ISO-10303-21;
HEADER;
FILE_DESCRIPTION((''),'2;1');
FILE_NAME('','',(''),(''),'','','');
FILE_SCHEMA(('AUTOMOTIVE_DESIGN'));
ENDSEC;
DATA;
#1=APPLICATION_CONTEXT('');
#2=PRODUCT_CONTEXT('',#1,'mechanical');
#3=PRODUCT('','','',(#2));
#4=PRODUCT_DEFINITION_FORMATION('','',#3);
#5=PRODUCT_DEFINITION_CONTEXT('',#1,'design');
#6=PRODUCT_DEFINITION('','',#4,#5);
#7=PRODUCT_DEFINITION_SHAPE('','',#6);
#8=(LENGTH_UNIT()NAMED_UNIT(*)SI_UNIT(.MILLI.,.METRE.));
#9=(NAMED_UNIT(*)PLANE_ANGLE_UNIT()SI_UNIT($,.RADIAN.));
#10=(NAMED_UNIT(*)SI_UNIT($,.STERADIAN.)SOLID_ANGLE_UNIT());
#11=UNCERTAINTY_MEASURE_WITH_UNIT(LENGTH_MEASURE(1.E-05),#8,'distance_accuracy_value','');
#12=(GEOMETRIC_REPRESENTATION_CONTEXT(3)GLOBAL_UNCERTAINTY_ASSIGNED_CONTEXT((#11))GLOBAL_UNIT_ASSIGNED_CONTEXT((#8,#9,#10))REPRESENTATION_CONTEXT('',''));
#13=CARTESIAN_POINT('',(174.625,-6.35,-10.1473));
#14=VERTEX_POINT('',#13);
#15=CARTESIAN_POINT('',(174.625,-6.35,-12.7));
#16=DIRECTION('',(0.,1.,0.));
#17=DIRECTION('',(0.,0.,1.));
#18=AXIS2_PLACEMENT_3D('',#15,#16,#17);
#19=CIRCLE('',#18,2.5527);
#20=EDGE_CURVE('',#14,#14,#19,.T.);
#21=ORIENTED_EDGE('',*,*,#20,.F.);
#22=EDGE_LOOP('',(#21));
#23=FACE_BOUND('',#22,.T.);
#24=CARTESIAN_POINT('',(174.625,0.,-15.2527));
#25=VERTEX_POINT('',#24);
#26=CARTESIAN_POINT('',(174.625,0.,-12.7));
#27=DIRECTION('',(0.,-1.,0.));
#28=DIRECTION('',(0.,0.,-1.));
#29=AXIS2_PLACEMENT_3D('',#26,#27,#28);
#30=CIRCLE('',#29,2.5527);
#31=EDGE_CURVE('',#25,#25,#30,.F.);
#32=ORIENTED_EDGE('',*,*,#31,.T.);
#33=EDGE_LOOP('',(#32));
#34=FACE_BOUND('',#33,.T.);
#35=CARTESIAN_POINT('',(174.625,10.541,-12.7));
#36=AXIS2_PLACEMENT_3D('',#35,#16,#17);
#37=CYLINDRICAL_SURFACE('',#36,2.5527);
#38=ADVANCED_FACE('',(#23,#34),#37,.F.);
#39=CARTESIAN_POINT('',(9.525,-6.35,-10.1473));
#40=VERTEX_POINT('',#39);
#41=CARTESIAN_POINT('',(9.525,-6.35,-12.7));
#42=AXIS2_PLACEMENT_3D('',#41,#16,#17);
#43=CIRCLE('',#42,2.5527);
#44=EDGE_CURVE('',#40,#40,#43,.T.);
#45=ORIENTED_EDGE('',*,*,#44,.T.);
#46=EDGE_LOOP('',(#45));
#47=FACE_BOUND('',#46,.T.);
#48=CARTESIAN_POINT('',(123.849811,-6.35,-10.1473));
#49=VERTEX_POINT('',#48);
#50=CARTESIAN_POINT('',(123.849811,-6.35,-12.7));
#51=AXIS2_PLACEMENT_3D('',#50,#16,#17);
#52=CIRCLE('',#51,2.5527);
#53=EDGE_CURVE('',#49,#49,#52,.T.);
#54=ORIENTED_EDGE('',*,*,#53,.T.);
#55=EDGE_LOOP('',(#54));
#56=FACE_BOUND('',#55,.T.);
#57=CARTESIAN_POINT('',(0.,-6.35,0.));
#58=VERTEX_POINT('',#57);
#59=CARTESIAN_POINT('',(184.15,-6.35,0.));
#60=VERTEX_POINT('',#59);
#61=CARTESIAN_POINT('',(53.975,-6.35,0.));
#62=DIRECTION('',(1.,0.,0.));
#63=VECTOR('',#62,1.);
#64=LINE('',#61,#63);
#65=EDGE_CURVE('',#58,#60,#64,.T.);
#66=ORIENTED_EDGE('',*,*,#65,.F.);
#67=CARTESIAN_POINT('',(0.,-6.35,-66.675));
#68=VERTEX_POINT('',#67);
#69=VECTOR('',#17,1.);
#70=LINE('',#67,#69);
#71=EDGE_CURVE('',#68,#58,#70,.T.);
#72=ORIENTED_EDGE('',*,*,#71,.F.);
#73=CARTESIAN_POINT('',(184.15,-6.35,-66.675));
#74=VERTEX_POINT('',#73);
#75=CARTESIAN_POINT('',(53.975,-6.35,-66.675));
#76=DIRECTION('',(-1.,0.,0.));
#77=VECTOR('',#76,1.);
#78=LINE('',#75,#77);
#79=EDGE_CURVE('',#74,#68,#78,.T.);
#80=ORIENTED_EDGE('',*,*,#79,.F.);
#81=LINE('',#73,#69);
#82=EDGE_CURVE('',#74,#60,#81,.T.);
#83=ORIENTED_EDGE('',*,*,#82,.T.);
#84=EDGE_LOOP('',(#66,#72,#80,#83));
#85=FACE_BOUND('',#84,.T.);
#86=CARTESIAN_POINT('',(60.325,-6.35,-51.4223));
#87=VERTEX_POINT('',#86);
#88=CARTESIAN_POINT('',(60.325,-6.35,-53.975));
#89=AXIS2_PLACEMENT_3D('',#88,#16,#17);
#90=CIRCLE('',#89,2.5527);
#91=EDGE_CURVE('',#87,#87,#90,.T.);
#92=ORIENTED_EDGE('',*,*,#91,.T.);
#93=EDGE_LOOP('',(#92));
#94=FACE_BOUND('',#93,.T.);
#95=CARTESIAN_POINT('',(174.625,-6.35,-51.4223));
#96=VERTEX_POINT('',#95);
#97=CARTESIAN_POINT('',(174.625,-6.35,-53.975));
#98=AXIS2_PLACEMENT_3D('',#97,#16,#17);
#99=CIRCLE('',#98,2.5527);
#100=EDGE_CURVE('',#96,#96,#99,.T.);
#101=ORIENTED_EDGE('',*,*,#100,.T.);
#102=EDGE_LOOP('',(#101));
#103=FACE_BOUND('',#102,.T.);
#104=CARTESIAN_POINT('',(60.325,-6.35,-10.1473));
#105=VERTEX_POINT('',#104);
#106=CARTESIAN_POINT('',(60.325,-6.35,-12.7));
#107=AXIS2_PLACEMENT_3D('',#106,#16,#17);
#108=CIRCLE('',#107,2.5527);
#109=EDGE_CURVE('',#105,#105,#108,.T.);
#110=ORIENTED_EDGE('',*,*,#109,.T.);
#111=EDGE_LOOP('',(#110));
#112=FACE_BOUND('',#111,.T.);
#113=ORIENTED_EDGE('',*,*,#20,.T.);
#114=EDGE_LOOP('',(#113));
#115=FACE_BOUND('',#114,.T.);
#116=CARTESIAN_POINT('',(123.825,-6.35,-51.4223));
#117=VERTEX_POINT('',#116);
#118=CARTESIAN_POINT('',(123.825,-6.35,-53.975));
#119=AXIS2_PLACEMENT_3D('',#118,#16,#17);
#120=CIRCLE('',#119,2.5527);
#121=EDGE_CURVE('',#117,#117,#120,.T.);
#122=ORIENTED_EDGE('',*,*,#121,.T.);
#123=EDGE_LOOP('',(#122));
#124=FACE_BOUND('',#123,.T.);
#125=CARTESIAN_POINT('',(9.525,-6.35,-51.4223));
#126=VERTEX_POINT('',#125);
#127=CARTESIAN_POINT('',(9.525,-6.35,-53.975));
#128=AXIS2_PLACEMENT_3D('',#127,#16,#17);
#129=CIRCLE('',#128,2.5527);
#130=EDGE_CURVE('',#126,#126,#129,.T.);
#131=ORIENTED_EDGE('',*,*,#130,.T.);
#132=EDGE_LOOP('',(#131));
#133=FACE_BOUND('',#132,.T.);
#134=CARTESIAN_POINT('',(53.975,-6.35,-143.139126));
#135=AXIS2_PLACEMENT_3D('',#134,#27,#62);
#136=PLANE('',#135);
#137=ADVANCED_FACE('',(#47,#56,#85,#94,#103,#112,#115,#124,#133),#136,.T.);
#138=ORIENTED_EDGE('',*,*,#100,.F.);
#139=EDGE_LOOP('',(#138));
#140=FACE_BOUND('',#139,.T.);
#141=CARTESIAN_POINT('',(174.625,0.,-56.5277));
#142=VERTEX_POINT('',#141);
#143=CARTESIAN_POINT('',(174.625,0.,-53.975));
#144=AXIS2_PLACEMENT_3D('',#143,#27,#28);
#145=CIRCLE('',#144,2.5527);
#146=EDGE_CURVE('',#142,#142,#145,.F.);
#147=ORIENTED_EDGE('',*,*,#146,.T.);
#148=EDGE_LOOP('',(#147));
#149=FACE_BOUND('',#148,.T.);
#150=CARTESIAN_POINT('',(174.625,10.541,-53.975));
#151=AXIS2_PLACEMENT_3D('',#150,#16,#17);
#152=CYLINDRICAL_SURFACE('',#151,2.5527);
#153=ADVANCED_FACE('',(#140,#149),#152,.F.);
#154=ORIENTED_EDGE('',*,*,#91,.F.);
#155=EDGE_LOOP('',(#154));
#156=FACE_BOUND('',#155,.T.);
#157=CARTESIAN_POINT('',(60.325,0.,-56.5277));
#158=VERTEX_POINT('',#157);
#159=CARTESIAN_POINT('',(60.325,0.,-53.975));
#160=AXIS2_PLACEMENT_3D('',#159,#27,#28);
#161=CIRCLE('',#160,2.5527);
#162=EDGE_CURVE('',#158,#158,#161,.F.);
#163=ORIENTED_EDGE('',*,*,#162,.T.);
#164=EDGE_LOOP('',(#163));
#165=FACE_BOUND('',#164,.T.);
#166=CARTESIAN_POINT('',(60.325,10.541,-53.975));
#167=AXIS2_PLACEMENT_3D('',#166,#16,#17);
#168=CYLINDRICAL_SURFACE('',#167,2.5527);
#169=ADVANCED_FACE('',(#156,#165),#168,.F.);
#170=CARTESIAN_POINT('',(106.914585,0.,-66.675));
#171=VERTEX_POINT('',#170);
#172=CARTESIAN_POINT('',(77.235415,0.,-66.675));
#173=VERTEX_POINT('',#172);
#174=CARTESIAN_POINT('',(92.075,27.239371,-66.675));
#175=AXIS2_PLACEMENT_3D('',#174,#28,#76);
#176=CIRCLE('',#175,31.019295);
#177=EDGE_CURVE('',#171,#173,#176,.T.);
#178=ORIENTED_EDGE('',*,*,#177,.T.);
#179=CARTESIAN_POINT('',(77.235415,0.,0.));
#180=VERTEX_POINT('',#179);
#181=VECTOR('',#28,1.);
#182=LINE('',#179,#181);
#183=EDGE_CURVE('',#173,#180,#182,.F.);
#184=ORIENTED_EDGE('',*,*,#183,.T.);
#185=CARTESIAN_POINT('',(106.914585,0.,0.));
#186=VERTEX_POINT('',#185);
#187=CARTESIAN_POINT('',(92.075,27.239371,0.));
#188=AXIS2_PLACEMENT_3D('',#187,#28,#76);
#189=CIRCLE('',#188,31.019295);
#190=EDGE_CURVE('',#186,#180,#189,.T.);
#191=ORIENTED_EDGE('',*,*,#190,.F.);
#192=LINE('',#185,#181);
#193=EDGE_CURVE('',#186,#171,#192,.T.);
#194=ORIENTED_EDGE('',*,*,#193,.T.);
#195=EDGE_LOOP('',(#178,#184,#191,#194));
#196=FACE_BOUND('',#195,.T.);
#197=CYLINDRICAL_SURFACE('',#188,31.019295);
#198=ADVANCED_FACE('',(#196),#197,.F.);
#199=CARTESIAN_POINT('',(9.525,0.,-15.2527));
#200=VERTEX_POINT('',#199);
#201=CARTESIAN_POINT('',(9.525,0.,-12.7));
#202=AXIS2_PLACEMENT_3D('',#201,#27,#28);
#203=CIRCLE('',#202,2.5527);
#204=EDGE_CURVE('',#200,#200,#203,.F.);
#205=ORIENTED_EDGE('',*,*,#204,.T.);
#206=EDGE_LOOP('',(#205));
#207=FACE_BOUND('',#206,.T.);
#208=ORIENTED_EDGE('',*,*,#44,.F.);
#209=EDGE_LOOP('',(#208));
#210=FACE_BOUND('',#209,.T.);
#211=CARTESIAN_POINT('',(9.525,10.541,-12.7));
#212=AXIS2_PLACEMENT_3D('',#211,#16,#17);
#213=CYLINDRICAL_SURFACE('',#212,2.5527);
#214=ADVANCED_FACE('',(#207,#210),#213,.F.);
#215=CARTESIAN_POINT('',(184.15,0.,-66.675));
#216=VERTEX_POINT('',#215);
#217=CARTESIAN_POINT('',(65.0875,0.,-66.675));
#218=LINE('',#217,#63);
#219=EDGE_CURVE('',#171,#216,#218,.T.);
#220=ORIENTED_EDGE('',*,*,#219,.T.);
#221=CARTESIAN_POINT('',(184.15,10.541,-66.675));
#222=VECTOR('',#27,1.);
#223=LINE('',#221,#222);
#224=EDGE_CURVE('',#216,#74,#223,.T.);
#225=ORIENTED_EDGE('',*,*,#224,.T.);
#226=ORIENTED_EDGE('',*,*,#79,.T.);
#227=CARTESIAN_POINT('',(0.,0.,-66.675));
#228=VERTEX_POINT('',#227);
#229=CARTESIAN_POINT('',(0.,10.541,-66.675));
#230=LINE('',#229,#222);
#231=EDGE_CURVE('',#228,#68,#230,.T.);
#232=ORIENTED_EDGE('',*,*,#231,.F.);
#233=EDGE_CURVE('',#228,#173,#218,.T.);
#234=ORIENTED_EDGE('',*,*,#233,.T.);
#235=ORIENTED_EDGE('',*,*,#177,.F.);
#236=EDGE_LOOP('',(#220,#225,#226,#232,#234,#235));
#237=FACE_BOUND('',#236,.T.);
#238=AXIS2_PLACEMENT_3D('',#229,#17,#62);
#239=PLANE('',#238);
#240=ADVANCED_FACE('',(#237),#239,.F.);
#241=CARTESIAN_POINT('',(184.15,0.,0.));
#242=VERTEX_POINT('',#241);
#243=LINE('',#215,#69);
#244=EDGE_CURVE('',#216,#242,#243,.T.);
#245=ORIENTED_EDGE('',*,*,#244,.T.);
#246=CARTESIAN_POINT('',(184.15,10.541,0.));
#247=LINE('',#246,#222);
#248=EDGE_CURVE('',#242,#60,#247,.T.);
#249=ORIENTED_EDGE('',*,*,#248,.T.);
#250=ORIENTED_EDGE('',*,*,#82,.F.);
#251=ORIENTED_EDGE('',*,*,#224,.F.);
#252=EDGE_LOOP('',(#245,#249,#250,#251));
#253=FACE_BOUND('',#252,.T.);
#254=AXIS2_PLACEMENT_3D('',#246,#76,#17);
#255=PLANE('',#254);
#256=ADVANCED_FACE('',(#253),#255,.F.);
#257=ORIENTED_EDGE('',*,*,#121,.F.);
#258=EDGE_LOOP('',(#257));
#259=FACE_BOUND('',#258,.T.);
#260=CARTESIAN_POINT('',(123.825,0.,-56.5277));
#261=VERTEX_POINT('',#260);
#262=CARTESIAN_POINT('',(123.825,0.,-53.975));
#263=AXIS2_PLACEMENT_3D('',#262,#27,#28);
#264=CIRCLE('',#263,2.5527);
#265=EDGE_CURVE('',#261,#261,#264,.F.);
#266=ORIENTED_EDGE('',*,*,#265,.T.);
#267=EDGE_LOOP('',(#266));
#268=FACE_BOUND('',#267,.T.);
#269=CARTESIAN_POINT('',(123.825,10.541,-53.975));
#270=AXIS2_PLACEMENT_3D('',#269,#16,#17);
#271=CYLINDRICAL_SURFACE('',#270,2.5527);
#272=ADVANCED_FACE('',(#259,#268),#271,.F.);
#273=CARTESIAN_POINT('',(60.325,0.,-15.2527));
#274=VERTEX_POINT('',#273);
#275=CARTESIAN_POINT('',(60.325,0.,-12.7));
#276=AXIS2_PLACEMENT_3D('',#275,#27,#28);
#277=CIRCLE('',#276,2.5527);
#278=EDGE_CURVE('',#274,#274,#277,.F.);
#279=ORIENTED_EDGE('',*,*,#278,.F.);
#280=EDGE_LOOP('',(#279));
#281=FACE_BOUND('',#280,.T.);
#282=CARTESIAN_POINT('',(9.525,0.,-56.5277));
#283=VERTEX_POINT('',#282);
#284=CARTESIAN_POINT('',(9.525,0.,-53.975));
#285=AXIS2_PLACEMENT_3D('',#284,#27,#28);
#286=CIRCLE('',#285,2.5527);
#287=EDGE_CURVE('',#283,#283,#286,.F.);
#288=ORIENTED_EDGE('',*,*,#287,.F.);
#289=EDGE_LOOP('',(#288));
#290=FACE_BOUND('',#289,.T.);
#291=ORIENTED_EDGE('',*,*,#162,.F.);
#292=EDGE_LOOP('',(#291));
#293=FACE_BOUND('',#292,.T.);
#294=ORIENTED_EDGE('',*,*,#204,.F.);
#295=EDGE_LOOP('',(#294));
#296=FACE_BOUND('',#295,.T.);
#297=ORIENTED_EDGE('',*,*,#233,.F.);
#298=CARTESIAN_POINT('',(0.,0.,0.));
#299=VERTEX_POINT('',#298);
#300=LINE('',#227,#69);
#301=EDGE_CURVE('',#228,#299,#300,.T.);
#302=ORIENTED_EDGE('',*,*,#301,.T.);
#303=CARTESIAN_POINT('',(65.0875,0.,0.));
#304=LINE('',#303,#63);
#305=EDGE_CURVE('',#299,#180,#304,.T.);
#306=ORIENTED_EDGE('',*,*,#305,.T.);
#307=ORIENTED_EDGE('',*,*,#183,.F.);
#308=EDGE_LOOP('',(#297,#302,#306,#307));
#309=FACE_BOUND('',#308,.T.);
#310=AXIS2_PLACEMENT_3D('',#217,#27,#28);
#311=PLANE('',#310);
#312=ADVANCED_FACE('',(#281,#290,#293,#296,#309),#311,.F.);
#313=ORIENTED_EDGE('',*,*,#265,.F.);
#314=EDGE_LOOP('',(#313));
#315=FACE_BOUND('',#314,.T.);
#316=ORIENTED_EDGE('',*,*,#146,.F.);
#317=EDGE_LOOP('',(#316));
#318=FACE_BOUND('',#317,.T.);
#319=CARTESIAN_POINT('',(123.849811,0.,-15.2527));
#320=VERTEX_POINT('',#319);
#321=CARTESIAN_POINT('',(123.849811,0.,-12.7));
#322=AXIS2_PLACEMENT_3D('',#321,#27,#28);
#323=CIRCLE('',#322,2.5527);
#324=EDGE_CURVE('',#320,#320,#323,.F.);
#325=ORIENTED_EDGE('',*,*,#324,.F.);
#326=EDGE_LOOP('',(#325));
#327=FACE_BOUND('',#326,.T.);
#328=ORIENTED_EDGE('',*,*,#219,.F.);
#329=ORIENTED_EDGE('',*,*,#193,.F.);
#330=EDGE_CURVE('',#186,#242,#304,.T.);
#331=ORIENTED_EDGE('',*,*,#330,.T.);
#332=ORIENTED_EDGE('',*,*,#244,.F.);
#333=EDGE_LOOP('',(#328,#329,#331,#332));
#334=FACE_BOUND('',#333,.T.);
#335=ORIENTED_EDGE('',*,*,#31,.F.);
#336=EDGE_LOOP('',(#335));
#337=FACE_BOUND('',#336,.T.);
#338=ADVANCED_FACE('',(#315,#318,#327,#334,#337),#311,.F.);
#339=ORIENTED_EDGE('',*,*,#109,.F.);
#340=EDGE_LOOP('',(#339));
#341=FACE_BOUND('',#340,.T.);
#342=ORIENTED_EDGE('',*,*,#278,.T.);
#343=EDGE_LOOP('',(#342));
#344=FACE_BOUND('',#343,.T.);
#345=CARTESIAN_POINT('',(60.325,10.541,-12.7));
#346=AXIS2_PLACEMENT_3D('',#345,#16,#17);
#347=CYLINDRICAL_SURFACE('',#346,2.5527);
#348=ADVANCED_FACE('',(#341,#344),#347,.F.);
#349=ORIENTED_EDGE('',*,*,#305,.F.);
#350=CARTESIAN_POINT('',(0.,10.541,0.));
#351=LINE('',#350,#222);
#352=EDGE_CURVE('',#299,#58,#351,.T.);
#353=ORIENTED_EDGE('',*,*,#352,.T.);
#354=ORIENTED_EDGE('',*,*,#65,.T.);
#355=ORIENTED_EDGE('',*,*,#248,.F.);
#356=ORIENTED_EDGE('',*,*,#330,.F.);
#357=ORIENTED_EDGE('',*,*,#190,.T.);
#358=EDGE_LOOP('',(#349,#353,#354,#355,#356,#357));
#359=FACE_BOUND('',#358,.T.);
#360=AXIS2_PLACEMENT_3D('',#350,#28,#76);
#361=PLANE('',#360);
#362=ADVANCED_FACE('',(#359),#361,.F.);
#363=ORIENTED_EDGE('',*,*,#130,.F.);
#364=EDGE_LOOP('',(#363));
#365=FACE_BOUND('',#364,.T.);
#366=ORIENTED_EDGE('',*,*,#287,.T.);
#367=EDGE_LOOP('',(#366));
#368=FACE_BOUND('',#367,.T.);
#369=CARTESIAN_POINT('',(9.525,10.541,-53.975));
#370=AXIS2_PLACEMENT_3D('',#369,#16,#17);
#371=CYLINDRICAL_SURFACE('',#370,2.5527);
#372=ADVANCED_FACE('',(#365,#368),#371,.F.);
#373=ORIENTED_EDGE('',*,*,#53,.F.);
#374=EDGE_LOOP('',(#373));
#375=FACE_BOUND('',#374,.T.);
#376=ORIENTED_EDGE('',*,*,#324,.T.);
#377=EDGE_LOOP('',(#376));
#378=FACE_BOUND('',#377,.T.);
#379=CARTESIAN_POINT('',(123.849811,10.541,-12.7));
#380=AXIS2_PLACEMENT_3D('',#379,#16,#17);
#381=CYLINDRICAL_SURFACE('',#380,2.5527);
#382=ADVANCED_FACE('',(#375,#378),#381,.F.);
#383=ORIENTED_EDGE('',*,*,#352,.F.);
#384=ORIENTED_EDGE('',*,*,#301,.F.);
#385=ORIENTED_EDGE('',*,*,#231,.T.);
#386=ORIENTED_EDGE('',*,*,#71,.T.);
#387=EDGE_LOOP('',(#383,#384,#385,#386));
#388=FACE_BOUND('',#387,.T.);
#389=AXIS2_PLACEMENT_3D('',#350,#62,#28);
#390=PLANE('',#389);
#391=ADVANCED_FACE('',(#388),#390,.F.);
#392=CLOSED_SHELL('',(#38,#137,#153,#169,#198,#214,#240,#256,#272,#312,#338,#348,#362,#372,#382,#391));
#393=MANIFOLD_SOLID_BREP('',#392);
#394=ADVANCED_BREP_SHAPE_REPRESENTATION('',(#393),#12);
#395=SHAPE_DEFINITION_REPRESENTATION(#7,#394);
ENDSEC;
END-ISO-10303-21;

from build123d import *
from build123d.topology import SkipClean

# Parameters (mm, degrees)
SKETCH1_W              = 184.15
SKETCH1_H              = 66.675
BOSS_EXTRUDE1_DEPTH    = 10.541
SKETCH4_W              = 76.2
SKETCH4_H              = 6.35
BOSS_EXTRUDE2_DEPTH    = 66.675
SKETCH5_W              = 53.975
SKETCH5_H              = 66.675
CUT_EXTRUDE1_DEPTH     = 9.525
SKETCH17_W             = 53.975
SKETCH17_H             = 6.35
BOSS_EXTRUDE3_DEPTH    = 66.675
F_10_CLEARANCE_HOLE1_D = 5.1054
SKETCH12_R             = 31.019294643
CUT_EXTRUDE3_DEPTH     = 197.132329834
SKETCH18_W             = 53.975
SKETCH18_H             = 6.35
BOSS_EXTRUDE4_DEPTH    = 66.675
SKETCH20_W             = 53.975
SKETCH20_H             = 1.016
CUT_EXTRUDE8_DEPTH     = 197.132329834
SKETCH21_R             = 2.5527
CUT_EXTRUDE9_DEPTH     = 197.132329834
SKETCH22_W             = 184.15
SKETCH22_H             = 10.541
CUT_EXTRUDE10_DEPTH    = 197.132329834


with BuildPart() as part:
    # Sketch1 → Boss-Extrude1 (new body)
    with BuildSketch(Plane(origin=(0, 0, 0), x_dir=(1, 0, 0), z_dir=(0, 1, 0))):
        with Locations((92.075, 33.3375)):
            Rectangle(SKETCH1_W, SKETCH1_H)
    extrude(amount=BOSS_EXTRUDE1_DEPTH)

    # Sketch4 → Boss-Extrude2 (add)
    with BuildSketch(Plane.XY):
        with Locations((92.075, -3.175)):
            Rectangle(SKETCH4_W, SKETCH4_H)
    extrude(amount=-BOSS_EXTRUDE2_DEPTH)

    # Sketch5 → Cut-Extrude1 (cut)
    with BuildSketch(Plane(origin=(0, 10.541, 0), x_dir=(1, 0, 0), z_dir=(0, 1, 0))):
        with Locations((92.075, 33.3375)):
            Rectangle(SKETCH5_W, SKETCH5_H)
    extrude(amount=-CUT_EXTRUDE1_DEPTH, mode=Mode.SUBTRACT)

    # Sketch17 → Boss-Extrude3 (add)
    with BuildSketch(Plane.XY):
        with Locations((157.1625, -3.175)):
            Rectangle(SKETCH17_W, SKETCH17_H)
    extrude(amount=-BOSS_EXTRUDE3_DEPTH)

    # #10 Clearance Hole1 (through all)
    with Locations(Plane(origin=(0, 10.541, 0), x_dir=(1, 0, 0), z_dir=(0, 1, 0))):
        with Locations((9.525, 53.975), (9.525, 12.7), (60.325, 12.7), (60.325, 53.975), (123.825, 53.975), (123.849810746, 12.7), (174.625, 12.7), (174.625, 53.975)):
            Hole(F_10_CLEARANCE_HOLE1_D / 2)

    # Sketch12 → Cut-Extrude3 (cut, through all)
    with BuildSketch(Plane(origin=(0, 0, -66.675), x_dir=(-1, 0, 0), z_dir=(0, 0, -1))):
        with Locations((-92.075, 27.239371317)):
            Circle(SKETCH12_R)
    extrude(amount=-CUT_EXTRUDE3_DEPTH, mode=Mode.SUBTRACT)

    # Sketch18 → Boss-Extrude4 (add)
    with BuildSketch(Plane.XY):
        with Locations((26.9875, -3.175)):
            Rectangle(SKETCH18_W, SKETCH18_H)
    extrude(amount=-BOSS_EXTRUDE4_DEPTH)

    # Sketch20 → Cut-Extrude8 (cut, through all)
    with BuildSketch(Plane.XY):
        with Locations((92.075, 0.508)):
            Rectangle(SKETCH20_W, SKETCH20_H)
    extrude(amount=-CUT_EXTRUDE8_DEPTH, mode=Mode.SUBTRACT)

    # Sketch21 → Cut-Extrude9 (cut, through all)
    with SkipClean():  # the faces are left unmerged after this step: merging them gives an invalid solid
        with BuildSketch(Plane(origin=(0, 0, 0), x_dir=(1, 0, 0), z_dir=(0, 1, 0))):
            with Locations(Location((9.525, 12.7, 0), (0, 0, 270))):
                Circle(SKETCH21_R)
            with Locations(Location((9.525, 53.975, 0), (0, 0, 270))):
                Circle(SKETCH21_R)
        extrude(amount=-CUT_EXTRUDE9_DEPTH, mode=Mode.SUBTRACT)

    # Sketch22 → Cut-Extrude10 (cut, through all)
    with BuildSketch(Plane.XY):
        with Locations((92.075, 5.2705)):
            Rectangle(SKETCH22_W, SKETCH22_H)
    extrude(amount=-CUT_EXTRUDE10_DEPTH, mode=Mode.SUBTRACT)


solid = part.part
